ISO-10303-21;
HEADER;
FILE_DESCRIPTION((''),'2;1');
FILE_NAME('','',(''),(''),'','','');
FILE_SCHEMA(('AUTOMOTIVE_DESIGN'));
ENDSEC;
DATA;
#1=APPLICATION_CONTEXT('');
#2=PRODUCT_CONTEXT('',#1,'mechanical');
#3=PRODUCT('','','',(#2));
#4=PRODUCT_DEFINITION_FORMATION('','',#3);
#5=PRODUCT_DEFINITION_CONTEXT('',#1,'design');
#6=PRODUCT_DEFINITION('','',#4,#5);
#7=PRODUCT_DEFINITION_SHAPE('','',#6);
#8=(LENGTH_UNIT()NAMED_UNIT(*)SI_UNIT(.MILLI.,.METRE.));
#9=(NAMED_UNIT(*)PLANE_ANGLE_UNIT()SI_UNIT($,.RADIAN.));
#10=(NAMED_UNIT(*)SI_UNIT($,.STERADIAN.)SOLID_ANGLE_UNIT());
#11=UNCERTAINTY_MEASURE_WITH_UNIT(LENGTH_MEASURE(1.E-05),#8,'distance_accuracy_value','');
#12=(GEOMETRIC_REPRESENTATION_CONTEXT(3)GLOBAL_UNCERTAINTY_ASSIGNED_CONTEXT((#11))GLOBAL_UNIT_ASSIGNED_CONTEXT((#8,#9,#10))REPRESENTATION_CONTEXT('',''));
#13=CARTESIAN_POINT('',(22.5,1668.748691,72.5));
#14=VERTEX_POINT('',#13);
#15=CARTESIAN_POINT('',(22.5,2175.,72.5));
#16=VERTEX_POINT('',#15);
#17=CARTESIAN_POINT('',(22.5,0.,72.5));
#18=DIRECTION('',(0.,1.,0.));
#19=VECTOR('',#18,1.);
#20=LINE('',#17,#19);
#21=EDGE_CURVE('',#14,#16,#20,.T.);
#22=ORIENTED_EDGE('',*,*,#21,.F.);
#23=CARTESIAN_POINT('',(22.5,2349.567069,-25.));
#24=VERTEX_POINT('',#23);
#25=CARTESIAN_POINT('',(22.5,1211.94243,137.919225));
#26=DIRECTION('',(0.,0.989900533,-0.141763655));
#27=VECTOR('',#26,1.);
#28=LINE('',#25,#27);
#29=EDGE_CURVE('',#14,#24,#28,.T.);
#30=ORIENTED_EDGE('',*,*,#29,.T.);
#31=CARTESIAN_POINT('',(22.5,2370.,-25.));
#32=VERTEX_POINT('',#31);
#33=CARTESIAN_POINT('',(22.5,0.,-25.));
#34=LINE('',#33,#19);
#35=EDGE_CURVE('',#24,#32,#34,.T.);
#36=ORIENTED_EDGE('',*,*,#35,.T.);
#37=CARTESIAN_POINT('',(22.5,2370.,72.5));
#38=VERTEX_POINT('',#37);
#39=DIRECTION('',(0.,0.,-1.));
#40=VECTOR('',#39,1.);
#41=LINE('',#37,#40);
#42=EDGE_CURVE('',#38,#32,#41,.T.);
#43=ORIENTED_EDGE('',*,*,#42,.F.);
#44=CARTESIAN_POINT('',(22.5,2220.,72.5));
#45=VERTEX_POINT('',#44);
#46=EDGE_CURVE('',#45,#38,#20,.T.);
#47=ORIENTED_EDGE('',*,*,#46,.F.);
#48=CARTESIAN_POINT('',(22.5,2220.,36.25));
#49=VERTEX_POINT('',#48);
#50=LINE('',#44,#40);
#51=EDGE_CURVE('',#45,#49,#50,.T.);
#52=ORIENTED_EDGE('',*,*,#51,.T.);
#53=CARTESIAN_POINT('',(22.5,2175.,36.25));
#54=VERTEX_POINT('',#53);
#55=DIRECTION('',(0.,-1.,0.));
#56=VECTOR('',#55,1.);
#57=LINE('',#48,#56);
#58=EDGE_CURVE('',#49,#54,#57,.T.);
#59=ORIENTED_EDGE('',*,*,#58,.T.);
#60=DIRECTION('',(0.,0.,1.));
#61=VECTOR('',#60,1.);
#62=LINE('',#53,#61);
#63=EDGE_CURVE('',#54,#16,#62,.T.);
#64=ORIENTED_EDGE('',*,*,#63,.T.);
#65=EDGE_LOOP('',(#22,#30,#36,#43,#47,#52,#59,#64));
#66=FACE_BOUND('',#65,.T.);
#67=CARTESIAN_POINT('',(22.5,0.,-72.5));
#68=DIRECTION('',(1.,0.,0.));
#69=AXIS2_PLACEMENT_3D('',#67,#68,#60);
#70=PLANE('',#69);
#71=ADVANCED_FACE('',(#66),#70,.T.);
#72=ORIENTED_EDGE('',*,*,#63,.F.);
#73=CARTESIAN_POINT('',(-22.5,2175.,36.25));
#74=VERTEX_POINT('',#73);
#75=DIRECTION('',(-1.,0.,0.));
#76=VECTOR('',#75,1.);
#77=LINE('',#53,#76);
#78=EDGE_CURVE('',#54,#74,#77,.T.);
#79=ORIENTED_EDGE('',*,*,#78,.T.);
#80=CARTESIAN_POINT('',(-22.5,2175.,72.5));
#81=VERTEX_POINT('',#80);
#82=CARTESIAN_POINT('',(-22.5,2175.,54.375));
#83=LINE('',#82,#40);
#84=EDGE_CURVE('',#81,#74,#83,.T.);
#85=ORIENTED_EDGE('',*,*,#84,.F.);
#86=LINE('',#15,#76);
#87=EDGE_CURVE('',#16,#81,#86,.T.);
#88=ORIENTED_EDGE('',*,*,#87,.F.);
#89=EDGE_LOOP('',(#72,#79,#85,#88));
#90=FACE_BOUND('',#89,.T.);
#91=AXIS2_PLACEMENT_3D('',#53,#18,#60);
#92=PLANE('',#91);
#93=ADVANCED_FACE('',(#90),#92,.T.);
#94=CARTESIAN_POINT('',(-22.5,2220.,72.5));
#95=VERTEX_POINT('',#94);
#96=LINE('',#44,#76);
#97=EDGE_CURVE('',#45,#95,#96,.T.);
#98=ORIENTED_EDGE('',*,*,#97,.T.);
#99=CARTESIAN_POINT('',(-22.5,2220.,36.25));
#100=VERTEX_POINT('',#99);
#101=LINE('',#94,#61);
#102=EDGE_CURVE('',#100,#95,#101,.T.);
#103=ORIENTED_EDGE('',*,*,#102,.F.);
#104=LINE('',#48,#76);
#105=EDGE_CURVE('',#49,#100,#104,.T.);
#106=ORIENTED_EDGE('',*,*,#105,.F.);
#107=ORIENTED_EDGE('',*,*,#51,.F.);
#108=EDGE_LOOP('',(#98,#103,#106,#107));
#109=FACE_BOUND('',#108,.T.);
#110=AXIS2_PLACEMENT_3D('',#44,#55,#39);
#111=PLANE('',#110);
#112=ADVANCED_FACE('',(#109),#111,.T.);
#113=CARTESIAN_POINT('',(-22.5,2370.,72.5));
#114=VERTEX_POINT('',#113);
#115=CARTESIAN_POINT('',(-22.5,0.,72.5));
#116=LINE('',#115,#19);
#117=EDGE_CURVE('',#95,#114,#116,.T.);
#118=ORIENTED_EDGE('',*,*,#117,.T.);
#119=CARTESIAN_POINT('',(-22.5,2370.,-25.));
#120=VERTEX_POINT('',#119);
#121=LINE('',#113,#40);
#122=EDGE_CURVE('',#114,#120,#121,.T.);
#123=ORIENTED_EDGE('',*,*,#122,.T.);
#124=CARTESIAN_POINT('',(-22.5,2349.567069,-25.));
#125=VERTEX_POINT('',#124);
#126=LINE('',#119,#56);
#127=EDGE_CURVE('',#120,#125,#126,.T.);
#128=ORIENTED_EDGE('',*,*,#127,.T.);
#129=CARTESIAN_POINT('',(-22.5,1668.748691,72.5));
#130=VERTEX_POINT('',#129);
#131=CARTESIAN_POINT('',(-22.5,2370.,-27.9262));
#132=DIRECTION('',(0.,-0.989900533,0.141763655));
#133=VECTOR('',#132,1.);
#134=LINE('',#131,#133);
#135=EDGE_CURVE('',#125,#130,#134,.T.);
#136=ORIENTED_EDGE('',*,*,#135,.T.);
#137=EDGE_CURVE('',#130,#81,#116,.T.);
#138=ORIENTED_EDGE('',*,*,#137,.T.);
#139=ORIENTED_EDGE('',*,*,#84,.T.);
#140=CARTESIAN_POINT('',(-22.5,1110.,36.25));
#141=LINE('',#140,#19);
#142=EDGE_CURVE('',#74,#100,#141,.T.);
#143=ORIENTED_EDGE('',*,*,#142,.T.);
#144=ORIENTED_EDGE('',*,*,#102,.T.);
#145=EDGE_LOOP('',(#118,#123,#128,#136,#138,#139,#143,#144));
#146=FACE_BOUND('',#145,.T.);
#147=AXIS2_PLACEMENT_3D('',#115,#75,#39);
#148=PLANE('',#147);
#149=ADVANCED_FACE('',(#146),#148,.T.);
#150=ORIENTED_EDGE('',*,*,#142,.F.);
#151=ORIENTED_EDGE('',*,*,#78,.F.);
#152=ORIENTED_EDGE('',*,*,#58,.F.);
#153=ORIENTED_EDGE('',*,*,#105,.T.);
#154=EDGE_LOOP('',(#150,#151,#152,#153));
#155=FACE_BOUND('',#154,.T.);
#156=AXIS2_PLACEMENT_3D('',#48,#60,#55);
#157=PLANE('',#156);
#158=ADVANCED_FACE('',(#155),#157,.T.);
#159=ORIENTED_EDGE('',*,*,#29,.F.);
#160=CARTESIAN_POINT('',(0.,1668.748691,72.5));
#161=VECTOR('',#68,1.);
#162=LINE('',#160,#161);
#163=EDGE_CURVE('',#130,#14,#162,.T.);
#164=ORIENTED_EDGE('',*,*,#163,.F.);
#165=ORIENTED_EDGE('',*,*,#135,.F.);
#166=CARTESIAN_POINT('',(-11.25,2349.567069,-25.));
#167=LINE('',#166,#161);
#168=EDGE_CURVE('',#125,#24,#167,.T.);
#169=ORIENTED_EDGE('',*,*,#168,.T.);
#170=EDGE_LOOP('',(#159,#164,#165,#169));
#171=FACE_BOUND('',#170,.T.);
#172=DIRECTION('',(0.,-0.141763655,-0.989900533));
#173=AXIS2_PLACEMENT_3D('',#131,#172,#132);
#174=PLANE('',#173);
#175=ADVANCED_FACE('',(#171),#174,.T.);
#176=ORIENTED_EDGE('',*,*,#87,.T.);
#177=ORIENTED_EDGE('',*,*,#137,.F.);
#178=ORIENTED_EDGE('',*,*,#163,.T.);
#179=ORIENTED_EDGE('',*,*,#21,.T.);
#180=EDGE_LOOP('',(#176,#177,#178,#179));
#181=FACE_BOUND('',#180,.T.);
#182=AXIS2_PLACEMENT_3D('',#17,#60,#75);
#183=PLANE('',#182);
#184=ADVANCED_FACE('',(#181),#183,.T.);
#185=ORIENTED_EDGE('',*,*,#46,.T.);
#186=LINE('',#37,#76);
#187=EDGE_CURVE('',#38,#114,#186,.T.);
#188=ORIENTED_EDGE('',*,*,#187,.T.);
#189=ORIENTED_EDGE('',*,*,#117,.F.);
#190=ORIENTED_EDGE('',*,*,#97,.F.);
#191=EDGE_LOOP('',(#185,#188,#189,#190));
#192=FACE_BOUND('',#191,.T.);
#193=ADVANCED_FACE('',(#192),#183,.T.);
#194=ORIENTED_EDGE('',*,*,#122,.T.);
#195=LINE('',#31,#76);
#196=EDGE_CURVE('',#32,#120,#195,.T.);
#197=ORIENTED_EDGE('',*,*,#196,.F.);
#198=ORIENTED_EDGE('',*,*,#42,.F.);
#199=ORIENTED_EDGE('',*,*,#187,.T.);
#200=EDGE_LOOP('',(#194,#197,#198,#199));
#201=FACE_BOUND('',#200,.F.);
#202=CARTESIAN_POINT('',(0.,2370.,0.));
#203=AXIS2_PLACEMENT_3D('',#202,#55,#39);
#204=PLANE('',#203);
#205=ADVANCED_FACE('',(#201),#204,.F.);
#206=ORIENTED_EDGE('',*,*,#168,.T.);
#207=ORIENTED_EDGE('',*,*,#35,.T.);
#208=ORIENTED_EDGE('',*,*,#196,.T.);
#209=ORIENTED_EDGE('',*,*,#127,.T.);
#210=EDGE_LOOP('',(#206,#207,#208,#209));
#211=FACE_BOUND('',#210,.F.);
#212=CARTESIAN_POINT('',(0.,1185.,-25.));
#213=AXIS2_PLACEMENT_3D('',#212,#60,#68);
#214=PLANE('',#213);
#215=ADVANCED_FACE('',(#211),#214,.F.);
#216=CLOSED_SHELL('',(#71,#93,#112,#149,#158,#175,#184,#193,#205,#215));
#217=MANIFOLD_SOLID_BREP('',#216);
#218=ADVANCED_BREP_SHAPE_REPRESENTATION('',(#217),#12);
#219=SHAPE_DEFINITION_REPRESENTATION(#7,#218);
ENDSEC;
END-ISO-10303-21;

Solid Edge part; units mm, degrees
sketch "Sketch1" plane through (0, 0, 0) normal (0, -1, 0) x (1, 0, 0)
  line L0 (-22.5, -72.5) -> (22.5, -72.5)
  line L1 (22.5, -72.5) -> (22.5, 72.5)
  line L2 (22.5, 72.5) -> (-22.5, 72.5)
  line L3 (-22.5, 72.5) -> (-22.5, -72.5)
extrude "Protrusion1" add sketch "Sketch1" against normal blind 2370
sketch "Sketch2" plane through (22.5, 1185, 0) normal (1, 0, 0) x (0, 1, 0)
  line L0 (1035, 72.5) -> (1035, 36.25)
  line L1 (1035, 36.25) -> (990, 36.25)
  line L2 (990, 36.25) -> (990, 72.5)
  line L3 (990, 72.5) -> (1035, 72.5)
  line L4 (-1035, 72.5) -> (-1035, 36.25)
  line L5 (-1035, 36.25) -> (-990, 36.25)
  line L6 (-990, 36.25) -> (-990, 72.5)
  line L7 (-990, 72.5) -> (-1035, 72.5)
extrude "ExtrudedCutout_1" cut sketch "Sketch2" against normal blind 89.2118
sketch "Sketch3" plane through (22.5, 1185, 0) normal (1, 0, 0) x (0, 1, 0)
  line L0 (-1185, -72.5) -> (1185, -72.5)
  line L1 (1185, -72.5) -> (1185, 0)
  line L2 (1185, 0) -> (-1185, 0)
  line L3 (-1185, 0) -> (-1185, -72.5)
extrude "ExtrudedCutout_2" cut sketch "Sketch3" against normal blind 236.7564
sketch "Sketch4" plane through (0, 1185, 0) normal (0, 0, -1) x (0, -1, 0)
  line L0 (-1185, 22.5) -> (1185, 22.5)
  line L1 (1185, 22.5) -> (1185, -22.5)
  line L2 (1185, -22.5) -> (-1185, -22.5)
  line L3 (-1185, -22.5) -> (-1185, 22.5)
extrude "ExtrudedProtrusion_2" add sketch "Sketch4" along normal blind 25
sketch "Sketch5" plane through (-22.5, 1185, 23.75) normal (-1, 0, 0) x (0, 1, 0)
  line L0 (-1185, -287.7315) -> (-1185, 76.8245)
  line L1 (-1185, 76.8245) -> (1185, 76.8245)
  line L2 (1185, 76.8245) -> (1185, 51.6762)
  line L3 (1185, 51.6762) -> (-1185, -287.7315)
extrude "ExtrudedCutout_5" cut sketch "Sketch5" against normal blind 75.1515
properties material "Wood, Pine"
